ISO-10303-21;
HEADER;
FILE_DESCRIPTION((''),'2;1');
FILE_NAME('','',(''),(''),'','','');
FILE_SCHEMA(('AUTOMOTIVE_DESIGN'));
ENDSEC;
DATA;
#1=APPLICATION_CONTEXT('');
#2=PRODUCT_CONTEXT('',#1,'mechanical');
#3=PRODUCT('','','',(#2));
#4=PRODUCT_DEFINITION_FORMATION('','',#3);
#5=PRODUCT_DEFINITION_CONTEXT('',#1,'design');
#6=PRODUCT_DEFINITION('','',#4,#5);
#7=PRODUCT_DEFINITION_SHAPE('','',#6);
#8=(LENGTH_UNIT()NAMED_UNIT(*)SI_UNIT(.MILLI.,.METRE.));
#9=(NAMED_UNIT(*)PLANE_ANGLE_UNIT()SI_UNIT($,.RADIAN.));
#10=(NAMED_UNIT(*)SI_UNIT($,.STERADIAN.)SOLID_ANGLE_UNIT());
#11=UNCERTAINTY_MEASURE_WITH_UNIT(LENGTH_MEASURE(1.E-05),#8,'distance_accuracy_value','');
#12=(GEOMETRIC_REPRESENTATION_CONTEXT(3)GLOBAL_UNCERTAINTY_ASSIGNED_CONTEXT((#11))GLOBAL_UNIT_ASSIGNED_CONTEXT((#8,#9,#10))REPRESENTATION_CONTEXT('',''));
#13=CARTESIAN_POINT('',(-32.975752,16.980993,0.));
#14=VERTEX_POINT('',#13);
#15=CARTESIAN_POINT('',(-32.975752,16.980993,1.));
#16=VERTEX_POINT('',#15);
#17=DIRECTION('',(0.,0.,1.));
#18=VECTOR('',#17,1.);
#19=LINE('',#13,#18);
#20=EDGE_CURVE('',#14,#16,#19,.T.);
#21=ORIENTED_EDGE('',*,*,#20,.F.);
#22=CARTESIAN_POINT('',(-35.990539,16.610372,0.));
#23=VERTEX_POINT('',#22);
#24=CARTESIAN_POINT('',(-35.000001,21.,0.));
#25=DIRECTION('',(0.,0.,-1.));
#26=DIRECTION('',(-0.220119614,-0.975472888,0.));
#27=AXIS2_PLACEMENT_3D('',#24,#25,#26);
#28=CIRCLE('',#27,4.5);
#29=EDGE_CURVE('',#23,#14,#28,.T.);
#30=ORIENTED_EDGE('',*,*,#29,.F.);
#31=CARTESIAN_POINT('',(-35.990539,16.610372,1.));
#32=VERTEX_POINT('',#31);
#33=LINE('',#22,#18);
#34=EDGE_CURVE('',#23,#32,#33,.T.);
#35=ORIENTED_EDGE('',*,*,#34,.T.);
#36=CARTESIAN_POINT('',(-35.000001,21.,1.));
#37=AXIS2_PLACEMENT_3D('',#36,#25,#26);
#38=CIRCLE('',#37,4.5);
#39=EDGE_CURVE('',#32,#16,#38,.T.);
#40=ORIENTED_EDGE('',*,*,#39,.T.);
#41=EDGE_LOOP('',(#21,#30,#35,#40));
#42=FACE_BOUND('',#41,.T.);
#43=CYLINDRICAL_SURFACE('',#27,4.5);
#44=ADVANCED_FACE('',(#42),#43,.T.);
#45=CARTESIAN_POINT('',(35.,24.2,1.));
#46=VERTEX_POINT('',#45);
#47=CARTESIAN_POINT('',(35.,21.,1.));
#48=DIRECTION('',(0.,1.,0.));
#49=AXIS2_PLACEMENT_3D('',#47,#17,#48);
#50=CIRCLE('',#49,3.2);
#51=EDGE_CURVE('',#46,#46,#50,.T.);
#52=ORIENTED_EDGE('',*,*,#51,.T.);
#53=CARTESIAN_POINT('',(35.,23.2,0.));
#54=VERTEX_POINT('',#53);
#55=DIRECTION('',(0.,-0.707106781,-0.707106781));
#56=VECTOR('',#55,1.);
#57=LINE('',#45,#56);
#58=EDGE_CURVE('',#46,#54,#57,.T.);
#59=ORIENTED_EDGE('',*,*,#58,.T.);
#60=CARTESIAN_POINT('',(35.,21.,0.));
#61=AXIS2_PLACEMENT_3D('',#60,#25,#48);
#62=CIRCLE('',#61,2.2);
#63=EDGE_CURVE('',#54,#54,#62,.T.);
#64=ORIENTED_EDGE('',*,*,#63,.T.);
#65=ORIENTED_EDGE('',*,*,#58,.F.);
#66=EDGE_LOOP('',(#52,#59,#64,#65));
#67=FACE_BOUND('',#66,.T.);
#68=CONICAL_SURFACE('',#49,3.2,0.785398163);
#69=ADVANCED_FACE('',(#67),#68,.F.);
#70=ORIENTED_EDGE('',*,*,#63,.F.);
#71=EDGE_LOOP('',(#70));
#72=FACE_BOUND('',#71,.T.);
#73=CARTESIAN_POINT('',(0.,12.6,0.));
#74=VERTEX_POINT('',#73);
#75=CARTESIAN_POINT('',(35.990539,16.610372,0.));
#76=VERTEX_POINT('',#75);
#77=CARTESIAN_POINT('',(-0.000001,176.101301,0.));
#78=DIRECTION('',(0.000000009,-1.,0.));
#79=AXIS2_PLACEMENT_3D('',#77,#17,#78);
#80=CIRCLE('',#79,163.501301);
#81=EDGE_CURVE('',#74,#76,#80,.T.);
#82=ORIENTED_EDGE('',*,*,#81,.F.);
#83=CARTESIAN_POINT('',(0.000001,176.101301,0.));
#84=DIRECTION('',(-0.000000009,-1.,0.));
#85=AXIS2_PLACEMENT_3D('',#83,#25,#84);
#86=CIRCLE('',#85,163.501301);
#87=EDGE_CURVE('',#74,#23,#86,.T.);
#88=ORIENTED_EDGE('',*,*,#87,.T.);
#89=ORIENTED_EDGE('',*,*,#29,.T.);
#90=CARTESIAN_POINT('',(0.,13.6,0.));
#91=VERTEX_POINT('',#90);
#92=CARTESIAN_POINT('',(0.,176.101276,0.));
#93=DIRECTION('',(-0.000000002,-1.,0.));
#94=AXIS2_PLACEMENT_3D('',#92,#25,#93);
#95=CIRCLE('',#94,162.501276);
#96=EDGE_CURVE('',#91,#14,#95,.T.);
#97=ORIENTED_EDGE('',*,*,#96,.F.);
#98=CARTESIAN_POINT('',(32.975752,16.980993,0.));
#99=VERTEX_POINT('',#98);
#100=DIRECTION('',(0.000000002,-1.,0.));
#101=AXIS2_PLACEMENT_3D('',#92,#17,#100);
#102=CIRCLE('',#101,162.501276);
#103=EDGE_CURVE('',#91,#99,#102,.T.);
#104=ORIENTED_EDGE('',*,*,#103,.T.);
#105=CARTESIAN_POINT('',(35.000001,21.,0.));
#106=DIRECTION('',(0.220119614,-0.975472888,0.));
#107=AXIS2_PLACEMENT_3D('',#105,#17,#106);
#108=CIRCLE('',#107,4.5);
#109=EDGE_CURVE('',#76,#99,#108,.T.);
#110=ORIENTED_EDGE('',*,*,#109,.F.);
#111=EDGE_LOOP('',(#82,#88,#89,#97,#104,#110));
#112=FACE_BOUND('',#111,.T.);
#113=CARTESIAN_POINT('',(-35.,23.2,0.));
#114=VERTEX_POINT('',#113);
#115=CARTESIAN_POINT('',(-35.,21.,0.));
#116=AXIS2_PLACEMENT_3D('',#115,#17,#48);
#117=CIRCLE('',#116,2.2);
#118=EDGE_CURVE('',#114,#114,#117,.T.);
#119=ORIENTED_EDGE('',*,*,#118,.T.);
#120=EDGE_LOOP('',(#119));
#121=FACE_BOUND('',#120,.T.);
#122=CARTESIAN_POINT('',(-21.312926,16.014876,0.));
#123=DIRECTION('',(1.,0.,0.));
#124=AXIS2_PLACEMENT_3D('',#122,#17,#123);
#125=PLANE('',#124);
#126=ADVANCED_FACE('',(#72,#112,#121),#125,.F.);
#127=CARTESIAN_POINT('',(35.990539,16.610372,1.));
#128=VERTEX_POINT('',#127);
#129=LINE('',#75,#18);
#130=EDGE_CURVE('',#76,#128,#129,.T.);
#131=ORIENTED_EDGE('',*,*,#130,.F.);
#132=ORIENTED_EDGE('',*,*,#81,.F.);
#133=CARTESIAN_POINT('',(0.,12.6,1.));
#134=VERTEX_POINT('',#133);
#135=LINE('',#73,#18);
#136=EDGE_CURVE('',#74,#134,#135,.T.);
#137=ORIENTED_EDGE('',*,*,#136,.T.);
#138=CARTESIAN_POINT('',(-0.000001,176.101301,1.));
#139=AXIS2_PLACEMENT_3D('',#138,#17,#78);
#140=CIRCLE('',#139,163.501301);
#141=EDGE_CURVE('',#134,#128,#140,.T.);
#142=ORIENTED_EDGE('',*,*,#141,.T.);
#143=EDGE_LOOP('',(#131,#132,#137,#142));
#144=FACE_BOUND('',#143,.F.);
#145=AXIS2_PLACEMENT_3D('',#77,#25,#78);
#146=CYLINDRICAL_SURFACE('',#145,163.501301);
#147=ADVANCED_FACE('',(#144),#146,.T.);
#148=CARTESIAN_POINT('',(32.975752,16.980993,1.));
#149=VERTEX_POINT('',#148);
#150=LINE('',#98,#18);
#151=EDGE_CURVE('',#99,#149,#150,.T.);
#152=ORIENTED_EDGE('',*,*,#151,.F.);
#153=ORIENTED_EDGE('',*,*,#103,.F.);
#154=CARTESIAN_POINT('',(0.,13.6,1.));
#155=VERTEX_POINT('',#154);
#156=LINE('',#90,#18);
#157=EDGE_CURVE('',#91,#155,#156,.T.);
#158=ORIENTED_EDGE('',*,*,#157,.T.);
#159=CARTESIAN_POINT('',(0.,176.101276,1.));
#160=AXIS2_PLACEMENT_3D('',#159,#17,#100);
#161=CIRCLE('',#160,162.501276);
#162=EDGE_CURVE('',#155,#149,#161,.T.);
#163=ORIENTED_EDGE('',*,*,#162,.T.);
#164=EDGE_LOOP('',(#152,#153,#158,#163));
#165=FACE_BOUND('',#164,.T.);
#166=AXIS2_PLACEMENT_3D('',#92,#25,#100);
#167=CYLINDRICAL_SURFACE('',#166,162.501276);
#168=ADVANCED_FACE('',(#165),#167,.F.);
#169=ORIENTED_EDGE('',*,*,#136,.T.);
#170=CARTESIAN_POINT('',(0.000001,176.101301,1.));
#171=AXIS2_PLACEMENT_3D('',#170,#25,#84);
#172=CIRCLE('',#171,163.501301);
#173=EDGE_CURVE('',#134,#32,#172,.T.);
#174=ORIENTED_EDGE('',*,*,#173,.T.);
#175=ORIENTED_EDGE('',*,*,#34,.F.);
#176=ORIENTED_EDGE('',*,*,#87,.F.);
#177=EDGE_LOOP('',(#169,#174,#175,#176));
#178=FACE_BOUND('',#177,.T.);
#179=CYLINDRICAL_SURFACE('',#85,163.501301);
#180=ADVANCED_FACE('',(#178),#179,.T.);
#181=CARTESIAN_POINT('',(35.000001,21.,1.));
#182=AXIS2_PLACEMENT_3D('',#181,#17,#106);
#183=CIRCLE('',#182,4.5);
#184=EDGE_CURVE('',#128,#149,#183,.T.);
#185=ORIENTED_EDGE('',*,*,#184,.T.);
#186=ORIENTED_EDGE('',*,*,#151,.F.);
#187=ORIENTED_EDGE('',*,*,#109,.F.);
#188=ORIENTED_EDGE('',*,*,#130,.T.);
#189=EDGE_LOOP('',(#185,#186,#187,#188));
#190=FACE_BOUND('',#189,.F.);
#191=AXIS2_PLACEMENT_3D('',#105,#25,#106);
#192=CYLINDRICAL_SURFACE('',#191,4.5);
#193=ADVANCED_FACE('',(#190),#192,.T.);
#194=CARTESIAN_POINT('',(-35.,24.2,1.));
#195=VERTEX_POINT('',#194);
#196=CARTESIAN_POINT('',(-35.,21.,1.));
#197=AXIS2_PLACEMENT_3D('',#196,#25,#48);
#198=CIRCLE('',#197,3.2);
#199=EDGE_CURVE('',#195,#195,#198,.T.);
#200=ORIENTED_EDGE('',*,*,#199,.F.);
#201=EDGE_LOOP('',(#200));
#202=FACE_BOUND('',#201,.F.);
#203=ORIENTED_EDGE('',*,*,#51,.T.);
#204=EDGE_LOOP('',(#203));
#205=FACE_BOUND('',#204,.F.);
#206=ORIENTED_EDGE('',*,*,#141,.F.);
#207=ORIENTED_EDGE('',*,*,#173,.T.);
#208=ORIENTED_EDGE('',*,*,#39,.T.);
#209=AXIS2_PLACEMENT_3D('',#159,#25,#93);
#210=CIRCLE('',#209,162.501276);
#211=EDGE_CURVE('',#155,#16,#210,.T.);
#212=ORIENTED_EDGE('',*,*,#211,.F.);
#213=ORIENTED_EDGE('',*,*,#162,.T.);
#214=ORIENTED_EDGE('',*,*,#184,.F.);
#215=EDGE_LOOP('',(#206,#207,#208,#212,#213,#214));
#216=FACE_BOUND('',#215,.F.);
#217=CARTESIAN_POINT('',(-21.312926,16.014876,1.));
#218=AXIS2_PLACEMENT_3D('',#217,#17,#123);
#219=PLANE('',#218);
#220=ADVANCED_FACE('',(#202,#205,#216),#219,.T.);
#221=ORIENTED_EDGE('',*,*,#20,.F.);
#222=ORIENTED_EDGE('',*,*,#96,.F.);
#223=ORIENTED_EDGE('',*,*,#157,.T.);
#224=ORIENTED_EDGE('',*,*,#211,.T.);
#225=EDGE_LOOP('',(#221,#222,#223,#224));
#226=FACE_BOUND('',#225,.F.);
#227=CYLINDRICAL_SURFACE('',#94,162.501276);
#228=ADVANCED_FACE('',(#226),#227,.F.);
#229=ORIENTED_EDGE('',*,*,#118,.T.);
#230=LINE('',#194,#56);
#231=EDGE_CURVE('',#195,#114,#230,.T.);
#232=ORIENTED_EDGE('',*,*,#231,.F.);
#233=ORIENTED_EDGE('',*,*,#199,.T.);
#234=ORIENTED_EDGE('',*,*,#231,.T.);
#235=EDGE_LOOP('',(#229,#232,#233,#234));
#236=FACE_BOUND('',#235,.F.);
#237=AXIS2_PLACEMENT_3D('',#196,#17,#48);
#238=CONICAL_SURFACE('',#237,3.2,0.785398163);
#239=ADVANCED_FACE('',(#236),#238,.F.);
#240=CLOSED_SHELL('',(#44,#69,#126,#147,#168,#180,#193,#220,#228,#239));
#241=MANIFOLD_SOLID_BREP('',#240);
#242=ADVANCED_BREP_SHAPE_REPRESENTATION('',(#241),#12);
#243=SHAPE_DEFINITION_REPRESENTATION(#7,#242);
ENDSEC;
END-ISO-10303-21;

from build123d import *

# Parameters (mm, degrees)
PAD_DEPTH = 1


with BuildPart() as clone_of_countersunk001:
    # Sketch007 → Revolution001 (revolve)
    with BuildSketch(Plane.YZ):
        Polygon((3.2, 0), (1.5, -1.7), (1.5, -15), (0, -15), (0, 0), align=None)
    revolve(axis=Axis((0, 0, 0), (0, 0, 1)))


with BuildPart() as clone_of_countersunk001_1:
    # Clone placement: moved
    add(clone_of_countersunk001.part.moved(Location((35, 21, 1))))


with BuildPart() as countersunkcut:
    # Sketch → Pad (new body)
    with BuildSketch(Plane.XY):
        with BuildLine():
            ThreePointArc((35.990539, 16.610372), (35.549071, 25.466377), (32.975752, 16.980993))
            ThreePointArc((0, 13.6), (16.574312, 14.447458), (32.975752, 16.980993))
            Line((0, 13.6), (0, 12.6))
            ThreePointArc((0, 12.6), (18.106642, 13.605686), (35.990539, 16.610372))
        make_face()
    extrude(amount=PAD_DEPTH)

    # Cut: cut Clone of Countersunk001
    add(clone_of_countersunk001_1.part, mode=Mode.SUBTRACT)


with BuildPart() as part_mirroring:
    # Part__Mirroring: instance of CountersunkCut
    add(countersunkcut.part.mirror(Plane(origin=(0, 0, 0), x_dir=(0, -1, 0), z_dir=(1, 0, 0))))


with BuildPart() as sidemirror:
    # Fusion base: copy of CountersunkCut
    add(countersunkcut.part)

    # Fusion: union Part__Mirroring
    add(part_mirroring.part)


solid = sidemirror.part
